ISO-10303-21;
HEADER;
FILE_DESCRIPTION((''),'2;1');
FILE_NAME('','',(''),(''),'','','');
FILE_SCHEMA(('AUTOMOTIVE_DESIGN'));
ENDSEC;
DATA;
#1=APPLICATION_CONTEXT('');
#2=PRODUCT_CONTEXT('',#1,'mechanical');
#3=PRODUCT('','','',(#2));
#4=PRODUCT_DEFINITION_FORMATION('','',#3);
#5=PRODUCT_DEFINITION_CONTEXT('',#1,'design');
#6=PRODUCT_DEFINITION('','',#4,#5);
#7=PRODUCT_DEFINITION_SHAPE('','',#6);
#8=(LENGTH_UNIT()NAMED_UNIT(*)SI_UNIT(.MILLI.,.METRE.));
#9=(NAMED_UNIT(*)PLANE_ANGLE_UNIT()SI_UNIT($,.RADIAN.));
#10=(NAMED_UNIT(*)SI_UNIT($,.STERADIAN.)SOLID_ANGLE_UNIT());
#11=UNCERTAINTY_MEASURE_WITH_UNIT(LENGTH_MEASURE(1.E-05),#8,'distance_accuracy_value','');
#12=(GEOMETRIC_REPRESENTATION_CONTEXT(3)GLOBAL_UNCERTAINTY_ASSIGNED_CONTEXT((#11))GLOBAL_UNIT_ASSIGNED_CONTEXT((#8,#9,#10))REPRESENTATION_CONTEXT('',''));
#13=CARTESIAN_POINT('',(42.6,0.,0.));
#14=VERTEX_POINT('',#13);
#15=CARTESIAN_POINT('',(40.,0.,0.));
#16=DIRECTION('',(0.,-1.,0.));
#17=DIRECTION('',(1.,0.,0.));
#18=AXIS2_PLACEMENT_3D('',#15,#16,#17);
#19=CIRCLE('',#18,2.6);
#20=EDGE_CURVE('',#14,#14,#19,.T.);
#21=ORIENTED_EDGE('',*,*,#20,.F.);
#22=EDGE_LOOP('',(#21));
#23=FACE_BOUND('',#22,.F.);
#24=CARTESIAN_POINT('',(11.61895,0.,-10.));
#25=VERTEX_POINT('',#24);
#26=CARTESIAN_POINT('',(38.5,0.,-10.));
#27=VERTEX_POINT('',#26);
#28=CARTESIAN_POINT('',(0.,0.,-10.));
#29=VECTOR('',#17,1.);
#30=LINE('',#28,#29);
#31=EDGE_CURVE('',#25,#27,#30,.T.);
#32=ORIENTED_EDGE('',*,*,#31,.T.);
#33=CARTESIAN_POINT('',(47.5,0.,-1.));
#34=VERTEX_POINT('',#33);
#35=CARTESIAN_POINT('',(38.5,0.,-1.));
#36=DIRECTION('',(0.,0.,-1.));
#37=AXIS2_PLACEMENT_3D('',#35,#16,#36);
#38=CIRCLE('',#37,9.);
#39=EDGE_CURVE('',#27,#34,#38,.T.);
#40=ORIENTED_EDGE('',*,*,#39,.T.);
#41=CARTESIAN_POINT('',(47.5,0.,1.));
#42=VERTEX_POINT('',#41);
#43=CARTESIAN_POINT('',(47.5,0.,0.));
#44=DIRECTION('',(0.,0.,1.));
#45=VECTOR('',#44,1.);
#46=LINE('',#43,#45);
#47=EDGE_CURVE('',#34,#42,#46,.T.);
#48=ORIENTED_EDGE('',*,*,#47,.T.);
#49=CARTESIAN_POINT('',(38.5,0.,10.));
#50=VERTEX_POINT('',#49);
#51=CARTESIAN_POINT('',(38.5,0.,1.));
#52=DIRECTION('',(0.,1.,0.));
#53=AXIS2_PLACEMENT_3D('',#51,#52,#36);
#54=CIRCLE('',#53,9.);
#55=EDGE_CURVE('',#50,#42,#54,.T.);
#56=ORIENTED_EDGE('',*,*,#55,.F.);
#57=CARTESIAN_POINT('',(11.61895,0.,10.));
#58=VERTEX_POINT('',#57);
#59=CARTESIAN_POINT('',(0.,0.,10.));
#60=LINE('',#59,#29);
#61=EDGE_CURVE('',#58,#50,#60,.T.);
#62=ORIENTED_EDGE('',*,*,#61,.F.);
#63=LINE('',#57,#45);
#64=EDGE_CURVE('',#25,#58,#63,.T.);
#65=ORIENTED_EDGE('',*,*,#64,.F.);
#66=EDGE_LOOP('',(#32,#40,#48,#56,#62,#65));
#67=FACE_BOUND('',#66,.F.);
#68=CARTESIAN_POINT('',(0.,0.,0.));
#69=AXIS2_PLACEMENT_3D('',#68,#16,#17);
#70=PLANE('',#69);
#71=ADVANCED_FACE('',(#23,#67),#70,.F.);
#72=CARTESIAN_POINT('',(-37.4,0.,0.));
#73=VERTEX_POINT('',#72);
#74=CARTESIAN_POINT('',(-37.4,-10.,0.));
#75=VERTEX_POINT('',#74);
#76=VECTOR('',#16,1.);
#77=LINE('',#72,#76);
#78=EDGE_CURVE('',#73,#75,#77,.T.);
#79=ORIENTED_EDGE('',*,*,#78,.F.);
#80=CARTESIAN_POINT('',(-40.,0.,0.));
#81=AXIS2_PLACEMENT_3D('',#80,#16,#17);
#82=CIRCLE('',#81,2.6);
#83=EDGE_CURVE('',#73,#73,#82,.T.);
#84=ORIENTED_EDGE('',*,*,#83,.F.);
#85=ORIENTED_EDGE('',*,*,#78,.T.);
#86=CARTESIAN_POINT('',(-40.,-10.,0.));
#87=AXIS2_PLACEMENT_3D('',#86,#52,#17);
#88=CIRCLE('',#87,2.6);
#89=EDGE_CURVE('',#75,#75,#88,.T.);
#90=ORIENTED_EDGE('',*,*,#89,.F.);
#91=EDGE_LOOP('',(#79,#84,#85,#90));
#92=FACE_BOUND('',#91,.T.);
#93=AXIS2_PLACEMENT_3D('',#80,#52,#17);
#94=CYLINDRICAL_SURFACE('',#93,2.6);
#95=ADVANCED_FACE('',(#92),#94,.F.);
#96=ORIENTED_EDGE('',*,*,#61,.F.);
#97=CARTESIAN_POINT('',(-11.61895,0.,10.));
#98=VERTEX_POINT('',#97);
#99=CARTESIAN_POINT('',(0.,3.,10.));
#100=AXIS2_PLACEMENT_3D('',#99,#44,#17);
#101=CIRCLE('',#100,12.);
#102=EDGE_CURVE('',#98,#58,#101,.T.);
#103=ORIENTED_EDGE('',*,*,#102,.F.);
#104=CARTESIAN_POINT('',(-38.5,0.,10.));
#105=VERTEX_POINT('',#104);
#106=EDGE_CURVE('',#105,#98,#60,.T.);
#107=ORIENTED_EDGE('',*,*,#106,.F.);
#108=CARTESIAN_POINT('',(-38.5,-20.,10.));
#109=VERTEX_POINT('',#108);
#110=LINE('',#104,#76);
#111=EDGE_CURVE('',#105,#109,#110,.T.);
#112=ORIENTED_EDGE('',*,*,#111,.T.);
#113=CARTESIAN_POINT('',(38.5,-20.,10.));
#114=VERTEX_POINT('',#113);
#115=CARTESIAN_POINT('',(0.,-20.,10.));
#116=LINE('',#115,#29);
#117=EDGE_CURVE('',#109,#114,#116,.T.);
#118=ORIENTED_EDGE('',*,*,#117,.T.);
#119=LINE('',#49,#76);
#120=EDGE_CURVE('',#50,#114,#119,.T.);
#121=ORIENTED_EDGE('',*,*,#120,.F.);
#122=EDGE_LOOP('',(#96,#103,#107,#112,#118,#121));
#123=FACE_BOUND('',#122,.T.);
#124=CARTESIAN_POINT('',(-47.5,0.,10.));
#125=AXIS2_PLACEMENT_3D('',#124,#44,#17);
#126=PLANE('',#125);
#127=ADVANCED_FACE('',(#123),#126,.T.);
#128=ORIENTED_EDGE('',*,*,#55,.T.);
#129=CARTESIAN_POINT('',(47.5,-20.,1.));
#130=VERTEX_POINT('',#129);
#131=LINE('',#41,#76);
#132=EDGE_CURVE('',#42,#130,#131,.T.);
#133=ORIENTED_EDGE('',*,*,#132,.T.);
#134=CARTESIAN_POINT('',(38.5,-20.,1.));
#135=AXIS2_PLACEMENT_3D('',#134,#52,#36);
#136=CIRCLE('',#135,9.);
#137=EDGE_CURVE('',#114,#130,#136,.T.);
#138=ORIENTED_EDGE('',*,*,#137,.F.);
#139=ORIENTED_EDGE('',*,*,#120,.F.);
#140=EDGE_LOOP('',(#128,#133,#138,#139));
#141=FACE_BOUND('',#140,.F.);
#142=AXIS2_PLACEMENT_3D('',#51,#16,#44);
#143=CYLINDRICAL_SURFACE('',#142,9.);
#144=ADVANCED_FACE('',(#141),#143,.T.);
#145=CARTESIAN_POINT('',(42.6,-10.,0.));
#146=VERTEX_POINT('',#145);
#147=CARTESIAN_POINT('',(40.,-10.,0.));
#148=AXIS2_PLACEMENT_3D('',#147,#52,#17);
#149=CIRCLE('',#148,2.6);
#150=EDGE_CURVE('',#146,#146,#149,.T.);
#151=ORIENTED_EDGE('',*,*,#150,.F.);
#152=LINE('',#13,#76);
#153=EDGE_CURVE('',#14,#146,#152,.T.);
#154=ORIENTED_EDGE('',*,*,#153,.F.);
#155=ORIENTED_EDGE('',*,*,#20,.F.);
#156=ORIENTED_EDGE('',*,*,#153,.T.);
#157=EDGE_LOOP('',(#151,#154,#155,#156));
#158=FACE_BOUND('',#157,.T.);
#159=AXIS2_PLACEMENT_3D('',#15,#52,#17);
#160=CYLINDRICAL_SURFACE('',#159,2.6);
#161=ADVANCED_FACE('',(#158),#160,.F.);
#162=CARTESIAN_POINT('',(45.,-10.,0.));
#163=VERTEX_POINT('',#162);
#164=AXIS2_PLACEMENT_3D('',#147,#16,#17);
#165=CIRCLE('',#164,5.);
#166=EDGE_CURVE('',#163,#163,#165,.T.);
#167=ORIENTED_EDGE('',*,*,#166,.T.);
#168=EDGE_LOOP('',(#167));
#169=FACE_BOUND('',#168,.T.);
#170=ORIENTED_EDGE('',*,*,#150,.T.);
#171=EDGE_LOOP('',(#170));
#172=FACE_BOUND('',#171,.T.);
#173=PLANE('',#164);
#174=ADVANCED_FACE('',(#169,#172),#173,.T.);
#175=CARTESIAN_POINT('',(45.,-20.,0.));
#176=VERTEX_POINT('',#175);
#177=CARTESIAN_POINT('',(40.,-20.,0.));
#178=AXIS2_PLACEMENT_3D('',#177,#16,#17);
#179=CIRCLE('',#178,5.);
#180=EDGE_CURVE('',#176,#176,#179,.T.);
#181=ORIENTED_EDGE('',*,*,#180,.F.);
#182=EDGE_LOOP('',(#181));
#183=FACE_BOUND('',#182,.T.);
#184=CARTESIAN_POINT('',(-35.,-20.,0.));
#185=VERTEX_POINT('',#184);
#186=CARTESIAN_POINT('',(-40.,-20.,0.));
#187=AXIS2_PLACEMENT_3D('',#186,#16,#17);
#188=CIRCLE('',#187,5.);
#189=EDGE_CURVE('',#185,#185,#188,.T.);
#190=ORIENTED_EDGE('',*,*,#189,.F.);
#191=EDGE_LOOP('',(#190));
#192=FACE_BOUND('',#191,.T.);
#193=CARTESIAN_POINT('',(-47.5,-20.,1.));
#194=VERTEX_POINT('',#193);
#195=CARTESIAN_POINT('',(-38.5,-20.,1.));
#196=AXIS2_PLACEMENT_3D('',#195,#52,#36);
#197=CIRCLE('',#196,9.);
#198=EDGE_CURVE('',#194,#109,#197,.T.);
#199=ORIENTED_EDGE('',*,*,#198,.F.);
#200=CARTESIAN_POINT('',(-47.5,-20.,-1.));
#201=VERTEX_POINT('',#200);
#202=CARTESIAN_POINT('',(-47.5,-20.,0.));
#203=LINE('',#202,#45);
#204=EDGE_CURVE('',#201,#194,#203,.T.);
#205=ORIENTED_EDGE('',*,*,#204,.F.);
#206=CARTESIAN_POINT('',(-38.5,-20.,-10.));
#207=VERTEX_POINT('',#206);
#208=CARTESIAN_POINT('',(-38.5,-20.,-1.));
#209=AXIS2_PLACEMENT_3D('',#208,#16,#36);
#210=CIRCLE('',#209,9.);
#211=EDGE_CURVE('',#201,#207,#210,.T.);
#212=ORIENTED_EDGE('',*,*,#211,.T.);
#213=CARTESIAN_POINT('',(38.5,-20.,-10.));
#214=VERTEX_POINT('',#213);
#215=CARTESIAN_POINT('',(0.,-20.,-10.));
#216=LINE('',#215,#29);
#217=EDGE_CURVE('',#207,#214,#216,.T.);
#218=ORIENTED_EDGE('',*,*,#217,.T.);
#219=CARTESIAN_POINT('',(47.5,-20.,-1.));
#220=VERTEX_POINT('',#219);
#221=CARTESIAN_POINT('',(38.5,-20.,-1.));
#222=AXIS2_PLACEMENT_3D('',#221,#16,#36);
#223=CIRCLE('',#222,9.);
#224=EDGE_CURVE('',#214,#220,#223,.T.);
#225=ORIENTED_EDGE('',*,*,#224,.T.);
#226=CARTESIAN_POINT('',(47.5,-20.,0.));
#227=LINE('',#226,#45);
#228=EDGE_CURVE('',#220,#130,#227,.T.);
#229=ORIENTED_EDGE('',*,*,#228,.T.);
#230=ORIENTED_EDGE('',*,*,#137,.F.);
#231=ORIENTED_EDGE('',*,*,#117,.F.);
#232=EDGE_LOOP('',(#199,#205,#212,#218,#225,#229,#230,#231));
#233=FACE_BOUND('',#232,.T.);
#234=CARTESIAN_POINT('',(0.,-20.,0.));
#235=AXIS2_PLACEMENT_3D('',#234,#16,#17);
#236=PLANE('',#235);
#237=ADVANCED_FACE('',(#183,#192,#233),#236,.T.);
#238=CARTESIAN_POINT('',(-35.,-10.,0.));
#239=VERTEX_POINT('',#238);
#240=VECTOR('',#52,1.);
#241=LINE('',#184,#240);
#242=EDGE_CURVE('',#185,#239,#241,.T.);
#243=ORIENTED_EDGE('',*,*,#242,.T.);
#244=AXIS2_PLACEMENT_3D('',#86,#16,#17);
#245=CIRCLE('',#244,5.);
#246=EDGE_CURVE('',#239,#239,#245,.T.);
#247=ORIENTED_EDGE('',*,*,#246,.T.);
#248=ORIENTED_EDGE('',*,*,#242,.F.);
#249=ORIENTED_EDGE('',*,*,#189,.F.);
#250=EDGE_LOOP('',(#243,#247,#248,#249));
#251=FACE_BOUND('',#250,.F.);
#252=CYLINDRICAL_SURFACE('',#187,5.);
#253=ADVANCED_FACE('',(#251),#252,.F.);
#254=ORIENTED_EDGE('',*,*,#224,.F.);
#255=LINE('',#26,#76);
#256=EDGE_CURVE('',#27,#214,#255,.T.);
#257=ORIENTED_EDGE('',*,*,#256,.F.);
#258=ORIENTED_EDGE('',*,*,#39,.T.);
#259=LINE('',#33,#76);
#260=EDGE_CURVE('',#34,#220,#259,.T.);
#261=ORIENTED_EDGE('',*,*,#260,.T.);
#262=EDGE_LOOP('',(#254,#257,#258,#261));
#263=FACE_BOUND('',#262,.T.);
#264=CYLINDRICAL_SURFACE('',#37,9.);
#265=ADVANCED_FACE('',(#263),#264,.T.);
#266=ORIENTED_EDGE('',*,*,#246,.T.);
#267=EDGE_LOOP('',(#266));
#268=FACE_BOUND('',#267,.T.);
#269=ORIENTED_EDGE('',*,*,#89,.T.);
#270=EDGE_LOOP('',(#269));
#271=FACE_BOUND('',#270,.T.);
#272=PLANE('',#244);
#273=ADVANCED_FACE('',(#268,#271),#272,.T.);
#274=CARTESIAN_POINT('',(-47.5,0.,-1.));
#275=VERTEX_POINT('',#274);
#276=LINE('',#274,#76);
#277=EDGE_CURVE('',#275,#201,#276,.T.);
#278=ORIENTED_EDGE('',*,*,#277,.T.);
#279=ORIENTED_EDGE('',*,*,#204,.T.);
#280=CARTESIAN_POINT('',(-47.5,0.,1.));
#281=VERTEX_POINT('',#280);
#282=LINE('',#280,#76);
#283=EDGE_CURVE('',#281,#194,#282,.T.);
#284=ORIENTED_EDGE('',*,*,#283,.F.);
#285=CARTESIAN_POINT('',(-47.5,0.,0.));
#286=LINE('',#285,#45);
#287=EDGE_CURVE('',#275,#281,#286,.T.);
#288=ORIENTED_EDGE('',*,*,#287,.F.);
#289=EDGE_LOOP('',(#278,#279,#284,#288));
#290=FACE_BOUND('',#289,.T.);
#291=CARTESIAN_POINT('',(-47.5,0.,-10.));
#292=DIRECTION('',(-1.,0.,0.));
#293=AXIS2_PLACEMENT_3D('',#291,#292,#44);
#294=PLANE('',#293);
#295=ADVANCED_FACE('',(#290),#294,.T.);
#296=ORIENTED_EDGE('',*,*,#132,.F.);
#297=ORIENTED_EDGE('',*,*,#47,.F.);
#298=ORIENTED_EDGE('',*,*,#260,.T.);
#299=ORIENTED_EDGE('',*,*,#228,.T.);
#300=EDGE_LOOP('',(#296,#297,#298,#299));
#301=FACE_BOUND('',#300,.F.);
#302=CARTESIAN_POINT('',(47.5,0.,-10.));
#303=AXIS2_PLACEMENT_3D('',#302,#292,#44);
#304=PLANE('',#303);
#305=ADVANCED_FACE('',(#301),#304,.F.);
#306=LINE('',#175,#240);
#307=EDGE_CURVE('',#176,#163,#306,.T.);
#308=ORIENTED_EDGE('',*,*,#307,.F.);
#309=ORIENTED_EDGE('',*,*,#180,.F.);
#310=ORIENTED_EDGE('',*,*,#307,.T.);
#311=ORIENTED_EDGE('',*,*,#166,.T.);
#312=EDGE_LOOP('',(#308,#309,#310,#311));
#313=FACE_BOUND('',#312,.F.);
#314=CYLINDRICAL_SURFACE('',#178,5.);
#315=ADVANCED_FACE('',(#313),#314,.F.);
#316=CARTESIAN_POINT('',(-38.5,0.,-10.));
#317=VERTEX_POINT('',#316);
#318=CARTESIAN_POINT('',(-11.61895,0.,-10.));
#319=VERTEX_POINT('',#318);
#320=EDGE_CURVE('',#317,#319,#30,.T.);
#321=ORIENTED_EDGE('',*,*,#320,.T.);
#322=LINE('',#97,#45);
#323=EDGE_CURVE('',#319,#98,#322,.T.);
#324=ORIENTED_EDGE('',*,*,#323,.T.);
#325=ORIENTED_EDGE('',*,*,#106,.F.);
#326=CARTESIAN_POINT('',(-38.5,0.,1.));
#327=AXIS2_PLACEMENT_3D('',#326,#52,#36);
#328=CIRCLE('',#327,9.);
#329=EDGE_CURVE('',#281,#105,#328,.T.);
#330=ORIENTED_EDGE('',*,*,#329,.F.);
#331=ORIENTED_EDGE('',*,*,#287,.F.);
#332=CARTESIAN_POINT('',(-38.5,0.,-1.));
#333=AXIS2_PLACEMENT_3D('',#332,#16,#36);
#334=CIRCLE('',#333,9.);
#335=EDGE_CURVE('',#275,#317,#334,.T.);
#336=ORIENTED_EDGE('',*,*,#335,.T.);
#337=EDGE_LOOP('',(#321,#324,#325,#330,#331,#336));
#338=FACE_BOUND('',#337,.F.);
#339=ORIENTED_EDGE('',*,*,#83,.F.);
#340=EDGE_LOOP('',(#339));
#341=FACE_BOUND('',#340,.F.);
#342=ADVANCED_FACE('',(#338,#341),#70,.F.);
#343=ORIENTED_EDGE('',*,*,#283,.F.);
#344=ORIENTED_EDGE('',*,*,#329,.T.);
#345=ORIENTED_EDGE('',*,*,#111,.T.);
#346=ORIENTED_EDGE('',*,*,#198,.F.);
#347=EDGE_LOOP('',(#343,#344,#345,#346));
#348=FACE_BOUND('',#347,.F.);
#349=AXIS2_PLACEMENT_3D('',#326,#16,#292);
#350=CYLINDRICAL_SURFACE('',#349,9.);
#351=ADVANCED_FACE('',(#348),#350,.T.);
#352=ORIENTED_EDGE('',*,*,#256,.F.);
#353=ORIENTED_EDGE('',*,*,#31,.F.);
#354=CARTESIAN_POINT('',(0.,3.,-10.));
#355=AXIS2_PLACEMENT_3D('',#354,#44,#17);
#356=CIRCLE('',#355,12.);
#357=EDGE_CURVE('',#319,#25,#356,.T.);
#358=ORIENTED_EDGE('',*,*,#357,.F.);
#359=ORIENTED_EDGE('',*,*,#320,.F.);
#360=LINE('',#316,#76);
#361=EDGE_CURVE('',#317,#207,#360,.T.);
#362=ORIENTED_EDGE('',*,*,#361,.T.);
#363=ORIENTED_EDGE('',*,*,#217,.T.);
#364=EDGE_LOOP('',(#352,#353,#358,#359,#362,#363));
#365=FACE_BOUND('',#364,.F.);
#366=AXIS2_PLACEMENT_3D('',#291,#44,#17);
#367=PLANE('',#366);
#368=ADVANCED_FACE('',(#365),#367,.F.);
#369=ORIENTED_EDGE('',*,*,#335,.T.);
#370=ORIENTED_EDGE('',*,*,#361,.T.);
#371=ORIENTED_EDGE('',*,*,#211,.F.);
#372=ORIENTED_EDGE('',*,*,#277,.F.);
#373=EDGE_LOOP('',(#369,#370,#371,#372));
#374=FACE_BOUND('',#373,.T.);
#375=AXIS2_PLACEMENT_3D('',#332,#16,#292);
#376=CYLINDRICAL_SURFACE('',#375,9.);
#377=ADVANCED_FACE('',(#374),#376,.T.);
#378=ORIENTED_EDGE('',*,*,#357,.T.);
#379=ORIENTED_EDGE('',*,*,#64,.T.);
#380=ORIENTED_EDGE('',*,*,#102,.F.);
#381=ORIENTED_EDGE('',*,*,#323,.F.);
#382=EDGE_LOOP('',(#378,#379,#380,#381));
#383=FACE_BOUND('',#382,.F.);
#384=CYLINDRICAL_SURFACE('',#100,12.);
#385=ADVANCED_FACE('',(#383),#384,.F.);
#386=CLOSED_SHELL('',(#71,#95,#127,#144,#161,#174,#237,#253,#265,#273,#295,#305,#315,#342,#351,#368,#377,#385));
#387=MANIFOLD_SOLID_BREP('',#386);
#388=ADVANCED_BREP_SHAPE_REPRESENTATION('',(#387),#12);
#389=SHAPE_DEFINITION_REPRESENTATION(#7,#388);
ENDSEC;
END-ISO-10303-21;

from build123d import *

# Parameters (mm, degrees)
SKETCH_W        = 95
SKETCH_H        = 20
SKETCH_R        = 2.6
PAD_DEPTH       = 20
SKETCH001_R     = 12
POCKET_DEPTH    = 20.001
SKETCH002_R     = 5
POCKET001_DEPTH = 10
FILLET_R        = 9


with BuildPart() as part:
    # Sketch → Pad (new body)
    with BuildSketch(Plane.XZ):
        Rectangle(SKETCH_W, SKETCH_H)
        with Locations((-40, 0)):
            Circle(SKETCH_R, mode=Mode.SUBTRACT)
        with Locations((40, 0)):
            Circle(SKETCH_R, mode=Mode.SUBTRACT)
    extrude(amount=PAD_DEPTH)

    # Sketch001 (on Face2 of Pad) → Pocket (cut, through all)
    with BuildSketch(Plane.XY.offset(10)):
        with Locations((0, 3)):
            Circle(SKETCH001_R)
    extrude(amount=-POCKET_DEPTH, mode=Mode.SUBTRACT)

    # Sketch002 (on Face5 of Pocket) → Pocket001 (cut)
    with BuildSketch(Plane.XZ.offset(20)):
        with Locations((-40, 0)):
            Circle(SKETCH002_R)
        with Locations((40, 0)):
            Circle(SKETCH002_R)
    extrude(amount=-POCKET001_DEPTH, mode=Mode.SUBTRACT)

    # Fillet
    fillet_edges = [part.edges().sort_by_distance(p)[0] for p in [
        (-47.5, -10, 10),
        (-47.5, -10, -10),
        (47.5, -10, 10),
        (47.5, -10, -10),
    ]]
    fillet(fillet_edges, radius=FILLET_R)


solid = part.part
